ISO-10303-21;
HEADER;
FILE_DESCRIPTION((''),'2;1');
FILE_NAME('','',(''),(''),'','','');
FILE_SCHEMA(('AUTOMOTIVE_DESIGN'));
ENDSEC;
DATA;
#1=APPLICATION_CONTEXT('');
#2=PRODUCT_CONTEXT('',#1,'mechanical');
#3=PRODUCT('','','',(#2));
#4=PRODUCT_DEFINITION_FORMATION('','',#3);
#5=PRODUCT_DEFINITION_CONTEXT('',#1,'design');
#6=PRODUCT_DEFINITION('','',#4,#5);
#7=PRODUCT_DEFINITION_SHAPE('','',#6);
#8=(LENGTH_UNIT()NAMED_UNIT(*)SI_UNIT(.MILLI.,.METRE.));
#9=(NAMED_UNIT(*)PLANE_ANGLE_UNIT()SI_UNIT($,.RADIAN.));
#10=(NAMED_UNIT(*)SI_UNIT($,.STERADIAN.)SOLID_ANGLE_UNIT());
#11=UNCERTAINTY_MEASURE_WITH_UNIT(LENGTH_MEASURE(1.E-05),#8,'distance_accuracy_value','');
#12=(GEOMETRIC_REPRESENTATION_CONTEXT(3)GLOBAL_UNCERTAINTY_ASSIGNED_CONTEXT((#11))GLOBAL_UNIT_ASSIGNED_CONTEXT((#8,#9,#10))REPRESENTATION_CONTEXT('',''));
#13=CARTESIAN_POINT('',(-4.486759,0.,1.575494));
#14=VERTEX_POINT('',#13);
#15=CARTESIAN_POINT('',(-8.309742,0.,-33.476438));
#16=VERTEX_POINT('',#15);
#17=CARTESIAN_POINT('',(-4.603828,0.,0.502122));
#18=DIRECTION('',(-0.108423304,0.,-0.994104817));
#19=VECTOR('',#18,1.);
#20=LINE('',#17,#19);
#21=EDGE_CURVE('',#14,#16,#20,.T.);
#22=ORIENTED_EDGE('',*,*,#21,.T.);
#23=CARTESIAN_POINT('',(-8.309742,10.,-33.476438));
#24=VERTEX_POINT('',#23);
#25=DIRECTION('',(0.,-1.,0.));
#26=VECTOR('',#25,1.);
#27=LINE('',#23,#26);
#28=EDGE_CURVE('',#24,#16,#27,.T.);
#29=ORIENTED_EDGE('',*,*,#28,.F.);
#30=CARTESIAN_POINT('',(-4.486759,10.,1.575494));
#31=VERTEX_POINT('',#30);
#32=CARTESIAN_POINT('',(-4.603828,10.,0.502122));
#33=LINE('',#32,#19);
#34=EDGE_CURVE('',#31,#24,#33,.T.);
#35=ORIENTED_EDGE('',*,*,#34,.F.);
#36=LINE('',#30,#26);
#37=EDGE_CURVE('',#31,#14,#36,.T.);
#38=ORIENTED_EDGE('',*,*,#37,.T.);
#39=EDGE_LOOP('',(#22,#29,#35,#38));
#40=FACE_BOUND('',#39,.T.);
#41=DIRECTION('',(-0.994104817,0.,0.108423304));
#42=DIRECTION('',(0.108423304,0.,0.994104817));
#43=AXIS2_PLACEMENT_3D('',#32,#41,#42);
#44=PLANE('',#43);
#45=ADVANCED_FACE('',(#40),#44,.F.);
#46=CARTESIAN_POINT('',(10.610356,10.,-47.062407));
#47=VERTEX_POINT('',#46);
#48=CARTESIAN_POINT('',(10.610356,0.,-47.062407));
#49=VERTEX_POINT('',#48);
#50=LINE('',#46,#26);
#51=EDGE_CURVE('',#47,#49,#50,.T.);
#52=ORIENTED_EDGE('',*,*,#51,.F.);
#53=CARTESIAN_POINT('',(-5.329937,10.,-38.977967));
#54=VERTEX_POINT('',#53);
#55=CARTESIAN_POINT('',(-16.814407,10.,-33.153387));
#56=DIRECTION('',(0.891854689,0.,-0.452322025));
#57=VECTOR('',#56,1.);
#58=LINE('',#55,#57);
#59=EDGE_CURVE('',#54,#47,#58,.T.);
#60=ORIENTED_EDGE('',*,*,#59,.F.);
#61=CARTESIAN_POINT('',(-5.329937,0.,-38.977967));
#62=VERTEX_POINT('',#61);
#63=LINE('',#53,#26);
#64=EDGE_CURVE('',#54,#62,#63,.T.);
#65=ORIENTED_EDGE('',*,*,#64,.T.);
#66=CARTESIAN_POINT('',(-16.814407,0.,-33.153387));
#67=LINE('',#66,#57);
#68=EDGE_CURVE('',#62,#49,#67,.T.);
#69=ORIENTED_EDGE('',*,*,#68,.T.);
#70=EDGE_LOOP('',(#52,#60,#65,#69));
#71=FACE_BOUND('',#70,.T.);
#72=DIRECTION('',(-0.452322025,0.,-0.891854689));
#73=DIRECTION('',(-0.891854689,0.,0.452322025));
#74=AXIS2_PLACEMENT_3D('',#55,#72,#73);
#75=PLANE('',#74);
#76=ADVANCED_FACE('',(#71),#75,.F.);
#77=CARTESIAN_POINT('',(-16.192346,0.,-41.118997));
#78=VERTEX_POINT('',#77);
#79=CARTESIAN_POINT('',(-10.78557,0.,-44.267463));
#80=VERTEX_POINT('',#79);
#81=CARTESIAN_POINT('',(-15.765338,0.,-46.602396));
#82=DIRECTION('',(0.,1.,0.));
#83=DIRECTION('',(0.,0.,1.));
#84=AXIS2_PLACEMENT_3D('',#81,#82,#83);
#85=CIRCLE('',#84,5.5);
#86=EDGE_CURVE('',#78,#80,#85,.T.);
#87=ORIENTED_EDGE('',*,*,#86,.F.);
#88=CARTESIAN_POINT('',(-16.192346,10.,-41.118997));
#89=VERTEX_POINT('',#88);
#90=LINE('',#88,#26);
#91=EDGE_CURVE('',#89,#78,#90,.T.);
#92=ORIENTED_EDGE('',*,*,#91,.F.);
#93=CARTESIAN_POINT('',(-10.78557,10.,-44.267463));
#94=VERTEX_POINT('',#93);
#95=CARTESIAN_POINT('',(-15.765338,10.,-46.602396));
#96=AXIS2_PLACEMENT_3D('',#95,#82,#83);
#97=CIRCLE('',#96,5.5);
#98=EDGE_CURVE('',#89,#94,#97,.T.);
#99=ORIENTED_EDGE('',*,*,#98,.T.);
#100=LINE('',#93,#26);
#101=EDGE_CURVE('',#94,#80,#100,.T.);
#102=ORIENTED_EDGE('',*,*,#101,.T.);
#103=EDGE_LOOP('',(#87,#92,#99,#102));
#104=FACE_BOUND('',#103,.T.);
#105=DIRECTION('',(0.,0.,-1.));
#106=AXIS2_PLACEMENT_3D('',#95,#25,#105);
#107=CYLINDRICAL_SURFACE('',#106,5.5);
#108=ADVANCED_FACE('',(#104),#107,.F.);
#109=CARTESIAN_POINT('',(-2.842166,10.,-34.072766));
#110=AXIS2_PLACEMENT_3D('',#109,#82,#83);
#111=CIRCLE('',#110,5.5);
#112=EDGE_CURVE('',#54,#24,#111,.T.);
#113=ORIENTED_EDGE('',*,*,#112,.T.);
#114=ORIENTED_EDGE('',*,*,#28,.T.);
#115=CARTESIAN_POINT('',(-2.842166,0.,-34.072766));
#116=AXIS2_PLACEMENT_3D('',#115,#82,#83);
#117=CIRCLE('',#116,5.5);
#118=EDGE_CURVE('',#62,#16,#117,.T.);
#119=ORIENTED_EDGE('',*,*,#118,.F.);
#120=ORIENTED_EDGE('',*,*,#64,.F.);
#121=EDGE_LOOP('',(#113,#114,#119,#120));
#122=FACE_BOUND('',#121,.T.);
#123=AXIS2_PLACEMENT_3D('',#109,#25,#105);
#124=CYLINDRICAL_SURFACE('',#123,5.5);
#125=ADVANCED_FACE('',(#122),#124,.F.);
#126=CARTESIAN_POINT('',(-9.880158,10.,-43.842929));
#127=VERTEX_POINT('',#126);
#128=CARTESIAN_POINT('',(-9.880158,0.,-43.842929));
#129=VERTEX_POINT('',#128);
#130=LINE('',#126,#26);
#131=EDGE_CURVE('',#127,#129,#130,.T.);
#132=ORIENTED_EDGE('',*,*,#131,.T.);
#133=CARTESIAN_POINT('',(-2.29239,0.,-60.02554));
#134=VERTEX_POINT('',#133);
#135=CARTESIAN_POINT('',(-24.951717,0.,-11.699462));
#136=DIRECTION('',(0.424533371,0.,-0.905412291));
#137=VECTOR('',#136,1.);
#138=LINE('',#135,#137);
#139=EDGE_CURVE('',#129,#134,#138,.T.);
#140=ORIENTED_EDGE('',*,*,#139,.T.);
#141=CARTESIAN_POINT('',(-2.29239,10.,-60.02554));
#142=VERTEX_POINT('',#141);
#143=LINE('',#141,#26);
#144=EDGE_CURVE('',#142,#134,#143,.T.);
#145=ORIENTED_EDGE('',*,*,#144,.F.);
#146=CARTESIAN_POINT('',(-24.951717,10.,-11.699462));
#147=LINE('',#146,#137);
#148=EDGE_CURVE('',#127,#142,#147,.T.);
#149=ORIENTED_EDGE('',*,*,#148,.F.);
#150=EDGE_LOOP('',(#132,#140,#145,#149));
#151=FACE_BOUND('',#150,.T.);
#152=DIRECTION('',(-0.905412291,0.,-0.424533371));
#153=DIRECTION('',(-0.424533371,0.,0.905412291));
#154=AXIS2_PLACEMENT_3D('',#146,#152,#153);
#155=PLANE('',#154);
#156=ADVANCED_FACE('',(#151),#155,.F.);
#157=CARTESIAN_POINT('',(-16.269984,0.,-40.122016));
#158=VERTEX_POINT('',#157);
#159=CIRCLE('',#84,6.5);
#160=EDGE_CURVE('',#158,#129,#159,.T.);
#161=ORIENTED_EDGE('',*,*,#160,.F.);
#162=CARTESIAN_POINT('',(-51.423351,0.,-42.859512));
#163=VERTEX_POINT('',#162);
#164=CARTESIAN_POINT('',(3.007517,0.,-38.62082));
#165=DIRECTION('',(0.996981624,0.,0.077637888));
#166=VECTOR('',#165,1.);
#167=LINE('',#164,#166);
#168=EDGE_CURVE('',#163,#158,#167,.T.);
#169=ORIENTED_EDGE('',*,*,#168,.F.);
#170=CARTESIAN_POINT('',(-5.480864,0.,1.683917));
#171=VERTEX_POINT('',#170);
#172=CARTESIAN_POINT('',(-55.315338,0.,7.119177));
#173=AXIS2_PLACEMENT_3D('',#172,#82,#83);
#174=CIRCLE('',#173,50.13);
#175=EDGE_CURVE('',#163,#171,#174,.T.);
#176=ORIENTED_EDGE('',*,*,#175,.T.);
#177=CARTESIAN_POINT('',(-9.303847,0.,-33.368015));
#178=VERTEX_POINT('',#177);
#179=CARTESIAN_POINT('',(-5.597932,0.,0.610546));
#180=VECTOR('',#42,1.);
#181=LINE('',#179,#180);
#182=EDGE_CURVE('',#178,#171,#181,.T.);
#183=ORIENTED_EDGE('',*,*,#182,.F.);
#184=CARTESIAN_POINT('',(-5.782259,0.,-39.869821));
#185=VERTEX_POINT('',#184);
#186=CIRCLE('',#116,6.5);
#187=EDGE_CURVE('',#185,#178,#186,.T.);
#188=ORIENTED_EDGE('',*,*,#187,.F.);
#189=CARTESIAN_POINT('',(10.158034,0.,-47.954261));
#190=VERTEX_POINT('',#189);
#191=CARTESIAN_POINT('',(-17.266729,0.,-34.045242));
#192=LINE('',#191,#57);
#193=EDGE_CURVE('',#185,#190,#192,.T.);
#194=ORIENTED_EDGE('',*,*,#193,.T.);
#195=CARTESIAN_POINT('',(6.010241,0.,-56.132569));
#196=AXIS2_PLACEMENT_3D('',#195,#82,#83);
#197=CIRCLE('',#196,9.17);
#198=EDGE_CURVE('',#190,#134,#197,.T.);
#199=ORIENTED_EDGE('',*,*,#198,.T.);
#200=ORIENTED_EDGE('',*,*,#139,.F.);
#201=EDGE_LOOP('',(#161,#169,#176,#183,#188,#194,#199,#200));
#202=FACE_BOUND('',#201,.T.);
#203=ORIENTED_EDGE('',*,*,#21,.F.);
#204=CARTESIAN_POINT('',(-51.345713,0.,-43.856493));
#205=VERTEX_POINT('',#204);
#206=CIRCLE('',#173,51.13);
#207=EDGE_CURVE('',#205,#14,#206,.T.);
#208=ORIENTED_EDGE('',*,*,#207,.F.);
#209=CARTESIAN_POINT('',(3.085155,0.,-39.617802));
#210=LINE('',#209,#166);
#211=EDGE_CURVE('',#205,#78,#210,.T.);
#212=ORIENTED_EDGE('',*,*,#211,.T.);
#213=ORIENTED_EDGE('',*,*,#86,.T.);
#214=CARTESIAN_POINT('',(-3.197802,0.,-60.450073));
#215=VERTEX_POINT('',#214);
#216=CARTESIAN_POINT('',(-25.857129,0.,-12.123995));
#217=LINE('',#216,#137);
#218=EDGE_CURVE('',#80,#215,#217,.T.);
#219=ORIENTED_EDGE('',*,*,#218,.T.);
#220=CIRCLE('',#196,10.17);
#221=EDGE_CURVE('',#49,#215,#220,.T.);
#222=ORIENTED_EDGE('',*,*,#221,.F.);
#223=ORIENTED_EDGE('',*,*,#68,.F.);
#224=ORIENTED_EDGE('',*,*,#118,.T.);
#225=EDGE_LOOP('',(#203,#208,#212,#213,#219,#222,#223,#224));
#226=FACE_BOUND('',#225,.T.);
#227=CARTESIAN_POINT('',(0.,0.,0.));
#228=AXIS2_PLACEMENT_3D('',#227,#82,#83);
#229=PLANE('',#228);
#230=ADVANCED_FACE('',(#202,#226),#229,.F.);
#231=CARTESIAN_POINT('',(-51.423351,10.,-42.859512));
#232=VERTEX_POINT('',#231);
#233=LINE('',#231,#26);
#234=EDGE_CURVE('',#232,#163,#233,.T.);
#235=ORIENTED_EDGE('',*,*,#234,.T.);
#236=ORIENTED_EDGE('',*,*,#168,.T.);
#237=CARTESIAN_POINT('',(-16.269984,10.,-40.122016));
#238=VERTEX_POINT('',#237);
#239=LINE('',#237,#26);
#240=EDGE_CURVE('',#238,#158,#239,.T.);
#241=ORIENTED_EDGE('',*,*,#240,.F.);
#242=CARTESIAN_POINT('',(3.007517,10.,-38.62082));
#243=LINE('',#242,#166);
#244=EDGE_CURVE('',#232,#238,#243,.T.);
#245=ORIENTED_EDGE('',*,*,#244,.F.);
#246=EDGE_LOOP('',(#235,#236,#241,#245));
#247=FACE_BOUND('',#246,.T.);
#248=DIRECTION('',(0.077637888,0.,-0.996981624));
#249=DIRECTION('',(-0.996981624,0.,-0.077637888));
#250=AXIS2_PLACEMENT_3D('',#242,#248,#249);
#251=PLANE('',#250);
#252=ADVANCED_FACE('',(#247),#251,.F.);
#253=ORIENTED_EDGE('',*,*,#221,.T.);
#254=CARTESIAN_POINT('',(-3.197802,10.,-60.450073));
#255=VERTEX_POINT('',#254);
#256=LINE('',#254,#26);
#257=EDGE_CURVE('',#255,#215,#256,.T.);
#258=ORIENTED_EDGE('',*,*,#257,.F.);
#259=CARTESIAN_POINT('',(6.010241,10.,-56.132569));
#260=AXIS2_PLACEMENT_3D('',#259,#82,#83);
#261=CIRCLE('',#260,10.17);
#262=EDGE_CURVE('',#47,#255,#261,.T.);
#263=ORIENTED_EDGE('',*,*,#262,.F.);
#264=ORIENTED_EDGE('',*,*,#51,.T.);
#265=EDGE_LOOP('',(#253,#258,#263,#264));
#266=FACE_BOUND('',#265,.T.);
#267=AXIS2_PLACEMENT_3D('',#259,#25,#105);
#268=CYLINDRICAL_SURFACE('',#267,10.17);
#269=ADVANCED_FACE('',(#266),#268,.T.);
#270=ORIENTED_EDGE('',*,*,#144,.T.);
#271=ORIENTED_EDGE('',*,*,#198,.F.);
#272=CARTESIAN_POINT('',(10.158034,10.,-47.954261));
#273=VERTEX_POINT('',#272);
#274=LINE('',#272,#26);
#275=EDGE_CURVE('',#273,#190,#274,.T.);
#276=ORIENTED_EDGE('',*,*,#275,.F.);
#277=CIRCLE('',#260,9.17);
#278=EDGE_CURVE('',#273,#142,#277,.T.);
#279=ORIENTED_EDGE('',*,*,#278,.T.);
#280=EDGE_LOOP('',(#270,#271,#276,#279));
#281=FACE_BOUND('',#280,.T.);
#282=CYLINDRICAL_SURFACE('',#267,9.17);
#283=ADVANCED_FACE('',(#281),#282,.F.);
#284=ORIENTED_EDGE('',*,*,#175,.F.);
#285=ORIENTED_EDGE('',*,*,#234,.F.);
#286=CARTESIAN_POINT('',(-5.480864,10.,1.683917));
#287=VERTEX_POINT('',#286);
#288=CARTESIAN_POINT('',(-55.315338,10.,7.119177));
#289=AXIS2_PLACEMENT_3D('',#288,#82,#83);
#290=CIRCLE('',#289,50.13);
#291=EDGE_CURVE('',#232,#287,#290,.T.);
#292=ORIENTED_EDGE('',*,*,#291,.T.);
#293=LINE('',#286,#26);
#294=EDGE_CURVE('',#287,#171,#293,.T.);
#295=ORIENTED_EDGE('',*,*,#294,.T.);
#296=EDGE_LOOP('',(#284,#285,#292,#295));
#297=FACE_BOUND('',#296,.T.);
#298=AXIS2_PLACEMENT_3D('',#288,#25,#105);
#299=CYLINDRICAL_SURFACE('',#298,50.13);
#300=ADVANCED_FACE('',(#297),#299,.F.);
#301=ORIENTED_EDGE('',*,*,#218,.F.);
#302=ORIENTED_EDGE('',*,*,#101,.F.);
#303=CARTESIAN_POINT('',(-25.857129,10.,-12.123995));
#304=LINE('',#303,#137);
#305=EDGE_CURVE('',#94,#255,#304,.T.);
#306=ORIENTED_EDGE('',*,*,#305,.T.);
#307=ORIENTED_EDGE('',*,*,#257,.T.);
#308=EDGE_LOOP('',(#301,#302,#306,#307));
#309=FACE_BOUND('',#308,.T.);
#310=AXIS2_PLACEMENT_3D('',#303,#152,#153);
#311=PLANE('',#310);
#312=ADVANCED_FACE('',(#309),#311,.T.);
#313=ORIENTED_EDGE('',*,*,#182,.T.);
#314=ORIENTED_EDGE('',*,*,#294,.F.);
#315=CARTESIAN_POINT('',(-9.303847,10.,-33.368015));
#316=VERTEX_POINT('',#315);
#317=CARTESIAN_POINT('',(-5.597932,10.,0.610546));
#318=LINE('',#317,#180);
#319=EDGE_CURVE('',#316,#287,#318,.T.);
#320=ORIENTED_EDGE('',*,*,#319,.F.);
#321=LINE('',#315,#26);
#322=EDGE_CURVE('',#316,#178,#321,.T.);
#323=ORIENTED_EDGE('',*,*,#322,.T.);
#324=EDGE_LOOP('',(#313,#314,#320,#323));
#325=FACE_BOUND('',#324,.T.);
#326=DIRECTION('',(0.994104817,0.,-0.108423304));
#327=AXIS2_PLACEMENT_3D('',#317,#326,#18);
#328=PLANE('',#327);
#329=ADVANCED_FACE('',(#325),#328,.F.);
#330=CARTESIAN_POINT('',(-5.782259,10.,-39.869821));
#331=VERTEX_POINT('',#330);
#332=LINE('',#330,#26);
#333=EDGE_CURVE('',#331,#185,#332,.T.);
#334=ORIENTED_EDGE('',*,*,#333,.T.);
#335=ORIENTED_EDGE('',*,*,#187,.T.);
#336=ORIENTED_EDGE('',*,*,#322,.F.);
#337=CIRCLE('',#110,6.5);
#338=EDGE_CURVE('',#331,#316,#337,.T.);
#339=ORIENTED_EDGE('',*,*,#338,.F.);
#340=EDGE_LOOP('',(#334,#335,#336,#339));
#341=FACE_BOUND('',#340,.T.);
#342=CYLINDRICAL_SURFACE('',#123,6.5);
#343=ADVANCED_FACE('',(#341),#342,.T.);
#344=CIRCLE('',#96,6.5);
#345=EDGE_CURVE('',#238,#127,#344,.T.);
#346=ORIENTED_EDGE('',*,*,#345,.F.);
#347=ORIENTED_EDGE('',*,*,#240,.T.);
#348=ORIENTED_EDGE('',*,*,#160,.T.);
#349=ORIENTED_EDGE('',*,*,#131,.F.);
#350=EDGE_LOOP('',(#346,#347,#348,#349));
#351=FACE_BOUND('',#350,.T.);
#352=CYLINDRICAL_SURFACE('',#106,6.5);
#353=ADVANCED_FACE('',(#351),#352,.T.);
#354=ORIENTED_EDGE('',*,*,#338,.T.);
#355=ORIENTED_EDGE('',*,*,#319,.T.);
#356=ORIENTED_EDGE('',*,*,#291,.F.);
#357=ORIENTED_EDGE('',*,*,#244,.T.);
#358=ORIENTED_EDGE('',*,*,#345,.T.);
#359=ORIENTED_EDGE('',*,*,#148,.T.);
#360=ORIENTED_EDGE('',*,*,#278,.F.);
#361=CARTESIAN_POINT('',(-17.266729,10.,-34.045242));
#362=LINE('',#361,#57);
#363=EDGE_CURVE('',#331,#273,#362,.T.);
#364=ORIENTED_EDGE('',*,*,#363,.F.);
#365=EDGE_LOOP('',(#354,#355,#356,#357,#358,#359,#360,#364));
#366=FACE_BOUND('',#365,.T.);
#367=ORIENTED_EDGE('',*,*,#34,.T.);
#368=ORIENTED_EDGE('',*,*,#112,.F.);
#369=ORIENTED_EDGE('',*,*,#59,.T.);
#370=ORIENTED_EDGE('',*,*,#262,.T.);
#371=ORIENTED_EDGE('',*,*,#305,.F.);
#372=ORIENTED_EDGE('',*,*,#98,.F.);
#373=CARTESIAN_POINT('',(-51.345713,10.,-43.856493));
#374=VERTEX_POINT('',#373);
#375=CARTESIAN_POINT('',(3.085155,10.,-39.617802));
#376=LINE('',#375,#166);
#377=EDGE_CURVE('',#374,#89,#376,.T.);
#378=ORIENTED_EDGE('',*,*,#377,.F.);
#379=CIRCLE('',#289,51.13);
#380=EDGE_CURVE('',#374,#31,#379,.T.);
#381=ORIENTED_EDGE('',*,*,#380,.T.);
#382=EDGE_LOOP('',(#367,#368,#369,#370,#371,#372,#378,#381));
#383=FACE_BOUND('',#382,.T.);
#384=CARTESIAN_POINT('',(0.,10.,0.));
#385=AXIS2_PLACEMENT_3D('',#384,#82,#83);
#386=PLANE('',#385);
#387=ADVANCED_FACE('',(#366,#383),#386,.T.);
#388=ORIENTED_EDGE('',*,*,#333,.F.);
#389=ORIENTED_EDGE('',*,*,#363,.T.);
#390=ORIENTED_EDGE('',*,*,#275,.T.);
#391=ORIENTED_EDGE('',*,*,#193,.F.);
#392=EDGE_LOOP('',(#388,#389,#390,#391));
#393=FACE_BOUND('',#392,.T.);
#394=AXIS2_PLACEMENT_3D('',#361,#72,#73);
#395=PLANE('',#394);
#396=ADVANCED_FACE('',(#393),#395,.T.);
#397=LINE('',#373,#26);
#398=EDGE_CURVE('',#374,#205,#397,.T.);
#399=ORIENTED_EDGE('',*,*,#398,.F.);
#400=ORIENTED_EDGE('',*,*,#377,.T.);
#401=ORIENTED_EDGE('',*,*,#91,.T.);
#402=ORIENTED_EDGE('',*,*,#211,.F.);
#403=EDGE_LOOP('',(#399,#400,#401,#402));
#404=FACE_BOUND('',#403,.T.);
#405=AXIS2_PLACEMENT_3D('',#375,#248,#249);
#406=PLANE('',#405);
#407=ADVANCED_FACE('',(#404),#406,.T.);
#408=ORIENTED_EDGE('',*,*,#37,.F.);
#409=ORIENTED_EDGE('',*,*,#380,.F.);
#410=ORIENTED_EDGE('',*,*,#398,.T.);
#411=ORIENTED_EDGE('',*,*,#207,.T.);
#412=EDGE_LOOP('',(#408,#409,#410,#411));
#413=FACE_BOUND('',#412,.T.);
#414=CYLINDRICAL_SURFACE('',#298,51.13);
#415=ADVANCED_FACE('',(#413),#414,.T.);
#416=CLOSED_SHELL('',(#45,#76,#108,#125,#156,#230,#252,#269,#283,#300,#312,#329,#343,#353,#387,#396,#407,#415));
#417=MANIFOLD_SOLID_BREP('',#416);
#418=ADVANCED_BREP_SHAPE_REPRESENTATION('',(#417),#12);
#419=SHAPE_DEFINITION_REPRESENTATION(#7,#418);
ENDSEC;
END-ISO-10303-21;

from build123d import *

# Parameters (mm, degrees)
BOSS_EXTRUDE1_DEPTH = 10


with BuildPart() as part:
    # Sketch1 → Boss-Extrude1 (new body)
    with BuildSketch(Plane(origin=(0, 0, 0), x_dir=(1, 0, 0), z_dir=(0, 1, 0))):
        with BuildLine():
            Line((-3.197802304, 60.450073138), (-10.78557004, 44.267462694))
            ThreePointArc((-10.78557004, 44.267462694), (-12.997646781, 41.849514237), (-16.192346026, 41.118997306))
            Line((-16.192346026, 41.118997306), (-51.345713088, 43.856493285))
            ThreePointArc((-51.345713088, 43.856493285), (-90.906449046, -43.828164288), (-4.486759028, -1.575493597))
            Line((-4.486759028, -1.575493597), (-8.309742442, 33.476437845))
            ThreePointArc((-8.309742442, 33.476437845), (-7.678341525, 36.692194542), (-5.329937086, 38.977966806))
            Line((-5.329937086, 38.977966806), (10.610355689, 47.062406568))
            ThreePointArc((10.610355689, 47.062406568), (13.089481768, 63.434160758), (-3.197802304, 60.450073138))
        make_face()
        with BuildLine():
            ThreePointArc((-5.480863845, -1.683916901), (-90.210358478, -43.110210305), (-51.423350976, 42.859511662))
            Line((-51.423350976, 42.859511662), (-16.269983915, 40.122015682))
            ThreePointArc((-16.269983915, 40.122015682), (-12.494430262, 40.985353873), (-9.880157749, 43.842929323))
            Line((-9.880157749, 43.842929323), (-2.292390013, 60.025539767))
            ThreePointArc((-2.292390013, 60.025539767), (12.393391201, 62.716206775), (10.158033664, 47.954261256))
            Line((10.158033664, 47.954261256), (-5.782259111, 39.869821495))
            ThreePointArc((-5.782259111, 39.869821495), (-8.557646175, 37.168454274), (-9.303847259, 33.368014541))
            Line((-9.303847259, 33.368014541), (-5.480863845, -1.683916901))
        make_face(mode=Mode.SUBTRACT)
    extrude(amount=BOSS_EXTRUDE1_DEPTH)


solid = part.part
